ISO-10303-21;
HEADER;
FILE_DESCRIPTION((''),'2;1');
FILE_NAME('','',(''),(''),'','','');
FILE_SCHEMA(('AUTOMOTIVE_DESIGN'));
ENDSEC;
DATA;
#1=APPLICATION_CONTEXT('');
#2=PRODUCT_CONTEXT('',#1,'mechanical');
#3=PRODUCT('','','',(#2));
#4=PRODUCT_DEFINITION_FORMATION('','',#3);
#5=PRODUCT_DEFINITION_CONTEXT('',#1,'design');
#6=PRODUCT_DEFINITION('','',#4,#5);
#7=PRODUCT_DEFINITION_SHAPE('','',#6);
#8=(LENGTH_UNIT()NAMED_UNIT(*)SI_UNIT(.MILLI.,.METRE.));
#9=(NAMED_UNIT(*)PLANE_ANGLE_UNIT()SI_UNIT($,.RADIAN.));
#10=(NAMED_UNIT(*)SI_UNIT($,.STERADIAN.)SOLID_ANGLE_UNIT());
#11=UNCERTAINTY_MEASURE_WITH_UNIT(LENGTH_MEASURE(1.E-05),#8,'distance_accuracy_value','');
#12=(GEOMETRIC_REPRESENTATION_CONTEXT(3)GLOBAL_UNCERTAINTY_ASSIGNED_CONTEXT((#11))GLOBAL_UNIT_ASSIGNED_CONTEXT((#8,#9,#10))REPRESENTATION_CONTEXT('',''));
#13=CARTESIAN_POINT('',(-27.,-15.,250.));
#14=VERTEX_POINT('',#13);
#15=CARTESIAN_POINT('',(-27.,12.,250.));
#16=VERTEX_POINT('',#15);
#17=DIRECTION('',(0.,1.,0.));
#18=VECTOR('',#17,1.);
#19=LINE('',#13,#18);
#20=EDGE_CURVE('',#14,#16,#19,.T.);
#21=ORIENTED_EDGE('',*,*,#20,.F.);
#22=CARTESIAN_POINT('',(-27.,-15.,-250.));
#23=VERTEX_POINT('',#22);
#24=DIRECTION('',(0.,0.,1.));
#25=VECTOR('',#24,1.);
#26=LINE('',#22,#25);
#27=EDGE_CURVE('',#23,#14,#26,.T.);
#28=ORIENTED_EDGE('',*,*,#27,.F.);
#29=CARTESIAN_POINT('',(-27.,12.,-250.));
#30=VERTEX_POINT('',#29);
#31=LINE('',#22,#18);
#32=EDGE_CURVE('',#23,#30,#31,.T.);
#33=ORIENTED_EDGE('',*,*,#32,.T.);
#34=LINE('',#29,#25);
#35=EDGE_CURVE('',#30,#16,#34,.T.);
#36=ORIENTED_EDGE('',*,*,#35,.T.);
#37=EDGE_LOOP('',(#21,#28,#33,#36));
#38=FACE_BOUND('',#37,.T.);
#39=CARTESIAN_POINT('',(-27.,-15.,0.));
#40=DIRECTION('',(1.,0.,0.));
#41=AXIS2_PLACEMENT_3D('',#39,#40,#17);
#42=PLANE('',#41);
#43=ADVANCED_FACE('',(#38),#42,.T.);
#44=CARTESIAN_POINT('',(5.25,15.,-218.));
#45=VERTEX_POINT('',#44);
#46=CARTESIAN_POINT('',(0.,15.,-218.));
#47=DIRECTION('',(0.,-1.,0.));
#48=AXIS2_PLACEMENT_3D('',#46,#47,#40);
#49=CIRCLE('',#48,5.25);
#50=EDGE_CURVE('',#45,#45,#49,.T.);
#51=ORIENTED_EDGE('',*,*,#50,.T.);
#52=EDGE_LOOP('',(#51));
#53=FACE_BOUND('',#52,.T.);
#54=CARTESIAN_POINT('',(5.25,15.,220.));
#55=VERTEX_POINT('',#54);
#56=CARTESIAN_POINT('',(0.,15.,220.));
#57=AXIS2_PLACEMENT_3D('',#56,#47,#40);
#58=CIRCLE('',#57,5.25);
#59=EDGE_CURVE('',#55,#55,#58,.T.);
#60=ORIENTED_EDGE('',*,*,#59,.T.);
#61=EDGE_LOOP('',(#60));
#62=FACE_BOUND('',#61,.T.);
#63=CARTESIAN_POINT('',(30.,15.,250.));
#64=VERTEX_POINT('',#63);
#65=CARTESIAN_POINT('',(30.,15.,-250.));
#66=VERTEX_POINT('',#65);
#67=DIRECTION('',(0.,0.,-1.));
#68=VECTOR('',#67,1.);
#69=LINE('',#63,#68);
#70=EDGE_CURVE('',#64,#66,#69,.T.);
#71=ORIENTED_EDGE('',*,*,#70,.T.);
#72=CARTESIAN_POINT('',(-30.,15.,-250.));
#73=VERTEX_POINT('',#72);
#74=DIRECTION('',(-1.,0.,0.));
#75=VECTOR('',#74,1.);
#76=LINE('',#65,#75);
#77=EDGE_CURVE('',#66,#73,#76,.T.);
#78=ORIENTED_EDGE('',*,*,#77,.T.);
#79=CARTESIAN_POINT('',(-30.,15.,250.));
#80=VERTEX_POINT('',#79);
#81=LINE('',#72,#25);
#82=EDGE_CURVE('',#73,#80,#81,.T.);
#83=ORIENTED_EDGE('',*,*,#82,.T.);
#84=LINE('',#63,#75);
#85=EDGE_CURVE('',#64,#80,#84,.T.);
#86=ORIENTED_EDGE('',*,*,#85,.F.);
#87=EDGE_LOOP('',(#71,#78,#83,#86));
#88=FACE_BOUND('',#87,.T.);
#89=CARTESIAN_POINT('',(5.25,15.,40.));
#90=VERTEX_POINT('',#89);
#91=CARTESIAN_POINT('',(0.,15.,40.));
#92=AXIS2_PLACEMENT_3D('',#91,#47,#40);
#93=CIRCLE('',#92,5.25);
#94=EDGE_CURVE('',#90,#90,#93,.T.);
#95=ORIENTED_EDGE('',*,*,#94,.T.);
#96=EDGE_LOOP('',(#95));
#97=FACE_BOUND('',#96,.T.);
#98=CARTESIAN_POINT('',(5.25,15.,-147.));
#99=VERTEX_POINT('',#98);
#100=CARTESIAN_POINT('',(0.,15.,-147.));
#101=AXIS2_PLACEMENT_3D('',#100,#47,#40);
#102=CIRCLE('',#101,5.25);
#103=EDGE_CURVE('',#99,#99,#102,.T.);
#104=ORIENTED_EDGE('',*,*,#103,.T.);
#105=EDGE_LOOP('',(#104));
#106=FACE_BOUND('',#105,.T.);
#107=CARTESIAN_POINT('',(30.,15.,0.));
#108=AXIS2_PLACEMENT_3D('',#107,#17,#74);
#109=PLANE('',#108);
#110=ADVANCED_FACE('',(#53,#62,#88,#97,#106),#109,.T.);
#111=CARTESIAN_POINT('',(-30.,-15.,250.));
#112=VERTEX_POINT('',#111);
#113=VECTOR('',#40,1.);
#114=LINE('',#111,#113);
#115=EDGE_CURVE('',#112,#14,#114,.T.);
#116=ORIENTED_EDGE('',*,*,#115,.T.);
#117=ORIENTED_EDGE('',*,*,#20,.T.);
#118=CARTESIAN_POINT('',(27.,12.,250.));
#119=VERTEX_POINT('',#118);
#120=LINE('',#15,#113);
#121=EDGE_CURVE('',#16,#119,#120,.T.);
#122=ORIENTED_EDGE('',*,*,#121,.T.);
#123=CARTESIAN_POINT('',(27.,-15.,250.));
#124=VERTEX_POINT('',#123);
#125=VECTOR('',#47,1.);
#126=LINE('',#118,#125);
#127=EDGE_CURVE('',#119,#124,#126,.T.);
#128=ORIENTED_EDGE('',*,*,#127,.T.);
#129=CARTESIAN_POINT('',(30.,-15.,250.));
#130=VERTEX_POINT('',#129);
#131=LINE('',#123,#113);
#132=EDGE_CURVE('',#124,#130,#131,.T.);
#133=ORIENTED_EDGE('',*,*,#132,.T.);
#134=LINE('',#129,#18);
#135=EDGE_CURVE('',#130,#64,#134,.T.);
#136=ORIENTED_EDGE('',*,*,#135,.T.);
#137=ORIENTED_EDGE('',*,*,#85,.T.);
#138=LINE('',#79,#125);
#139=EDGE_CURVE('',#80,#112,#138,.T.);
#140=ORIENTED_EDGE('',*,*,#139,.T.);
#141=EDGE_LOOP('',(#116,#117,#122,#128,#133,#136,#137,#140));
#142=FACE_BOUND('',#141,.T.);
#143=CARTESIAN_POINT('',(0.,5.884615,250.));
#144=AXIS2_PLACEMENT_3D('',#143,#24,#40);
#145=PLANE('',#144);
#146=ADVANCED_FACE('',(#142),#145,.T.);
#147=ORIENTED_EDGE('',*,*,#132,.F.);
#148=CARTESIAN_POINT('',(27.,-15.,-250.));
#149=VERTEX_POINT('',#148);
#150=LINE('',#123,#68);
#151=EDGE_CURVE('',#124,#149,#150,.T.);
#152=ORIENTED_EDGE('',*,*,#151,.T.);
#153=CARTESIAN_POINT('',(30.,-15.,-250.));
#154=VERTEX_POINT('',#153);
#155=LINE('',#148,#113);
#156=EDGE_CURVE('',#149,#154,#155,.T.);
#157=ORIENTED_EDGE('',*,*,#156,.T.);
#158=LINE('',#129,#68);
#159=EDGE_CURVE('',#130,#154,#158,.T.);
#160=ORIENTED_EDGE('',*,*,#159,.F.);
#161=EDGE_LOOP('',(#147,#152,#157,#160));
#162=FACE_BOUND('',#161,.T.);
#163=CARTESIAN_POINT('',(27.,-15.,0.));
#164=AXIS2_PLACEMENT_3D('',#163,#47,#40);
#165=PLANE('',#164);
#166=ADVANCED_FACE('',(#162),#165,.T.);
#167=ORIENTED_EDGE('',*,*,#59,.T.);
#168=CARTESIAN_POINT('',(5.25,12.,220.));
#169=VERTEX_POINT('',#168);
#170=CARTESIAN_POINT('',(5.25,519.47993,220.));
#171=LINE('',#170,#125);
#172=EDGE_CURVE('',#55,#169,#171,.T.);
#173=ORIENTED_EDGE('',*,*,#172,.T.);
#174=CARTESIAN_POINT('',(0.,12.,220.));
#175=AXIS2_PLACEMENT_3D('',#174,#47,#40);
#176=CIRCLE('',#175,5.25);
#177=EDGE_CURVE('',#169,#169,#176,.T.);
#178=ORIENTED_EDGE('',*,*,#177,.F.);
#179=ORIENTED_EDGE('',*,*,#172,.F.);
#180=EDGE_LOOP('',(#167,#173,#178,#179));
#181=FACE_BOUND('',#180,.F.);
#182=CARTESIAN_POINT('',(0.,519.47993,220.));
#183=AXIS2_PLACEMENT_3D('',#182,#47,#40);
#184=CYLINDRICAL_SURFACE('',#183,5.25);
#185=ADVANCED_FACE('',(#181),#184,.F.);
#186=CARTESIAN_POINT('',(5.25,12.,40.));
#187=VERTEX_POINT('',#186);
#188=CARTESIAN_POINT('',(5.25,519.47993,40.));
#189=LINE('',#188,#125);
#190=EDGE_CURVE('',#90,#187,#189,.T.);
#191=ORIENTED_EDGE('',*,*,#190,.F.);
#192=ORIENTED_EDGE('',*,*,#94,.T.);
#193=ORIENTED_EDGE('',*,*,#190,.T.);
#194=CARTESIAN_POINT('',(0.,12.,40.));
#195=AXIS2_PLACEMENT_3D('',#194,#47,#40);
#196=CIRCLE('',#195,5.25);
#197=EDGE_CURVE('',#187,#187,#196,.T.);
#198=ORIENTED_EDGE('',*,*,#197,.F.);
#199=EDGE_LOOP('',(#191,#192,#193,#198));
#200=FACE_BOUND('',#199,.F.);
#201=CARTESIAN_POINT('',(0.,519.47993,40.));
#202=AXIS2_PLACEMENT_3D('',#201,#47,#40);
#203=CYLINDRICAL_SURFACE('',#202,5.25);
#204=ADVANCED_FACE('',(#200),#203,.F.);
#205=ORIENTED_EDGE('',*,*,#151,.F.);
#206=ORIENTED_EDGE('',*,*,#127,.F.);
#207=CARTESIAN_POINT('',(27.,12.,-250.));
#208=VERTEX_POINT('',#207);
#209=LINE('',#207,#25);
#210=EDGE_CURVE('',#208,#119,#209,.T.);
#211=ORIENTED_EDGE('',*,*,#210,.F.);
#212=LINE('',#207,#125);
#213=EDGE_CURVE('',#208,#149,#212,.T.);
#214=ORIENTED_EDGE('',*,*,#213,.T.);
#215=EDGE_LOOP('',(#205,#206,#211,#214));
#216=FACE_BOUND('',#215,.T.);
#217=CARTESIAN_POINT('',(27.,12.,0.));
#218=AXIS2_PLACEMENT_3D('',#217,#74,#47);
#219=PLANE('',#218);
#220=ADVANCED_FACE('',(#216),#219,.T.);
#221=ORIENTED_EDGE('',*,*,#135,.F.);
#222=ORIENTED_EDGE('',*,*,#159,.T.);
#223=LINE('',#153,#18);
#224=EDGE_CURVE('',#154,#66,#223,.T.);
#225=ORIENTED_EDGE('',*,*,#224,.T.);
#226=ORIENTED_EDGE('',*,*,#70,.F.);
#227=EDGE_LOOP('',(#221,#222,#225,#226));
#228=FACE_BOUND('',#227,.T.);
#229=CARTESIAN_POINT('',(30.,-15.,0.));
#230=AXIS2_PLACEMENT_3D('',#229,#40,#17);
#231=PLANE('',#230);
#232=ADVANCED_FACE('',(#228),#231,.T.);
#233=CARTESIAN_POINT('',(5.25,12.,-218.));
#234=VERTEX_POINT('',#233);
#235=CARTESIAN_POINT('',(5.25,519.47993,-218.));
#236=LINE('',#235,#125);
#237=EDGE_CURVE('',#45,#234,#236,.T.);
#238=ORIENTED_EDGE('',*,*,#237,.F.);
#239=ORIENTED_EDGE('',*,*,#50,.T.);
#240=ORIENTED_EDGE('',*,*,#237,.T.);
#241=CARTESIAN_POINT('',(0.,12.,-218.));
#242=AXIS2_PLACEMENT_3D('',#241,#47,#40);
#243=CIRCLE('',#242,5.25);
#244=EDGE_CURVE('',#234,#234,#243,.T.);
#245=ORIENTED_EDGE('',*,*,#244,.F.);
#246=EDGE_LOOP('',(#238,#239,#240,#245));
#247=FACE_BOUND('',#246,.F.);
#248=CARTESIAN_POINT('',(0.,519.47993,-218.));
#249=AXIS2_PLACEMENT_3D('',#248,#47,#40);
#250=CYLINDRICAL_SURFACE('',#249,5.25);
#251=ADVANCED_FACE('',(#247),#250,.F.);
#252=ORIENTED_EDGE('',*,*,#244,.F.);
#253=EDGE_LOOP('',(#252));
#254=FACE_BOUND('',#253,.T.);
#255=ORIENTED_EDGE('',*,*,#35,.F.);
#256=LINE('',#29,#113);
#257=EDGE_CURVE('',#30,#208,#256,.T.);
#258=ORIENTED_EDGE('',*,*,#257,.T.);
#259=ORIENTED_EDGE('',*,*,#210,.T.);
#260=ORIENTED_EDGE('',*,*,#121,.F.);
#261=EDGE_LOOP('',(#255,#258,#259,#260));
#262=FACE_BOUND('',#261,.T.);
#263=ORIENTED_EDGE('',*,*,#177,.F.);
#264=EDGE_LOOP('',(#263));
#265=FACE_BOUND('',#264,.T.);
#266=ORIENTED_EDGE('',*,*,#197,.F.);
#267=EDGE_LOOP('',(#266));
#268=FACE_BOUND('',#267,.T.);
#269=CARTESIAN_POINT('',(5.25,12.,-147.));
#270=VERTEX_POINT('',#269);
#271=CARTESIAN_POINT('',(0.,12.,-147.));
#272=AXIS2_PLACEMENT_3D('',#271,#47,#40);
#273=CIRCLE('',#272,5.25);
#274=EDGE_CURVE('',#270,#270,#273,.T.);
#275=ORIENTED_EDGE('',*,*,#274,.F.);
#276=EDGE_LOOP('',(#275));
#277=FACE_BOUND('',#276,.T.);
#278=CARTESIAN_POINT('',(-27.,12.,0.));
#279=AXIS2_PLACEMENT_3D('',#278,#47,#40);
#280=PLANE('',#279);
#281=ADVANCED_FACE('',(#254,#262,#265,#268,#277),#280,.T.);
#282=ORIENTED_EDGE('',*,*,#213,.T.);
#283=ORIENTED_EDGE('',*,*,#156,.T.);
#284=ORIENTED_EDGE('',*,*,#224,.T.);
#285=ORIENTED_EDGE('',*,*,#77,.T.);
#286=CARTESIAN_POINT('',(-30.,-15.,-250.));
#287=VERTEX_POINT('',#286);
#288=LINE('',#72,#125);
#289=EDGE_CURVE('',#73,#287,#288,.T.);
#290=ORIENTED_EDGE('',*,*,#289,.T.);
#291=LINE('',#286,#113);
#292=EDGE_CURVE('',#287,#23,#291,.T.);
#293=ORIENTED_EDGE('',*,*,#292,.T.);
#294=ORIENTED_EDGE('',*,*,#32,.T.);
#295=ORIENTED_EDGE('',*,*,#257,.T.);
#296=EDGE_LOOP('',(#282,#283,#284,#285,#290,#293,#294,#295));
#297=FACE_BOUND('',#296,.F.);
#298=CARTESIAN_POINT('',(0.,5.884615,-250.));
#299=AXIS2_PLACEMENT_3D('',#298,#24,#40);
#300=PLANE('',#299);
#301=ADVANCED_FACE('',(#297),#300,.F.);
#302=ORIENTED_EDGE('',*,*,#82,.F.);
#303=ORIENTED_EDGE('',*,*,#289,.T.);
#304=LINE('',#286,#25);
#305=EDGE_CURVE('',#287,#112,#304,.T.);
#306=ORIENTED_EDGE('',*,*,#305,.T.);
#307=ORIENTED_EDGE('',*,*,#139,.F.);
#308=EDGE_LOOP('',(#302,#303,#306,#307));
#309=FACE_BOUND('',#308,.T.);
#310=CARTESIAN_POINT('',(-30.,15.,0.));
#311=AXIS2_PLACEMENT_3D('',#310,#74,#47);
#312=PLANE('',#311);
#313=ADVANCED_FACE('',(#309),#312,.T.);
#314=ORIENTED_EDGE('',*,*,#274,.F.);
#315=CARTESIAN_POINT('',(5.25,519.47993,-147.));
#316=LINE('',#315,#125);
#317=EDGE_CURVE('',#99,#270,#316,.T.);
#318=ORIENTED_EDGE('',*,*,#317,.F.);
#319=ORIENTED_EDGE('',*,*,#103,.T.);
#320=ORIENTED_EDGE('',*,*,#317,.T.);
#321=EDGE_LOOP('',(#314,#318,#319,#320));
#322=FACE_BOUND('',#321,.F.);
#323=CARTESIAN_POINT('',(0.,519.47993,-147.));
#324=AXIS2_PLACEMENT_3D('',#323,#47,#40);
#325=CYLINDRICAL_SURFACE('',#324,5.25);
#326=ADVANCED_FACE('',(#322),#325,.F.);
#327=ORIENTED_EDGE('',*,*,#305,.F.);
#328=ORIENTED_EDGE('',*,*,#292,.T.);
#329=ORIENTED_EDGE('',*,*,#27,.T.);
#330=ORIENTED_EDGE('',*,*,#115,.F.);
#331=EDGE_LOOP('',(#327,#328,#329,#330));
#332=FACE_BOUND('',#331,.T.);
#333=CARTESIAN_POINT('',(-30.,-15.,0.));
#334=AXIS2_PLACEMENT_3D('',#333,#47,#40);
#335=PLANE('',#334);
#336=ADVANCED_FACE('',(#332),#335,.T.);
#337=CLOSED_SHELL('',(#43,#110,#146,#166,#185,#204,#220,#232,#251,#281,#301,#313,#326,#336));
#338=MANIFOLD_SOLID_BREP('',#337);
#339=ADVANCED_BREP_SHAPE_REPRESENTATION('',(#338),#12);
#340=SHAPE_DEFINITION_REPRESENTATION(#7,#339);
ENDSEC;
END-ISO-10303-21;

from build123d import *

# Parameters (mm, degrees)
F1_DEPTH = 250
F3_D     = 10.5
F5_D     = 10.5


with BuildPart() as f1:
    # F0 (on Top) → F1 (new body, symmetric)
    with BuildSketch(Plane.XY):
        Polygon((30, 15), (-30, 15), (-30, -15), (-27, -15), (-27, 12), (27, 12), (27, -15), (30, -15), align=None)
    extrude(amount=F1_DEPTH, both=True)

    # F3 (through all)
    with Locations(Plane(origin=(0, 15, 0), x_dir=(-1, 0, 0), z_dir=(0, 1, 0))):
        with Locations((0, -218), (0, -147)):
            Hole(F3_D / 2)

    # F5 (through all)
    with Locations(Plane(origin=(0, 15, 0), x_dir=(-1, 0, 0), z_dir=(0, 1, 0))):
        with Locations((0, 220), (0, 40)):
            Hole(F5_D / 2)


solid = f1.part
